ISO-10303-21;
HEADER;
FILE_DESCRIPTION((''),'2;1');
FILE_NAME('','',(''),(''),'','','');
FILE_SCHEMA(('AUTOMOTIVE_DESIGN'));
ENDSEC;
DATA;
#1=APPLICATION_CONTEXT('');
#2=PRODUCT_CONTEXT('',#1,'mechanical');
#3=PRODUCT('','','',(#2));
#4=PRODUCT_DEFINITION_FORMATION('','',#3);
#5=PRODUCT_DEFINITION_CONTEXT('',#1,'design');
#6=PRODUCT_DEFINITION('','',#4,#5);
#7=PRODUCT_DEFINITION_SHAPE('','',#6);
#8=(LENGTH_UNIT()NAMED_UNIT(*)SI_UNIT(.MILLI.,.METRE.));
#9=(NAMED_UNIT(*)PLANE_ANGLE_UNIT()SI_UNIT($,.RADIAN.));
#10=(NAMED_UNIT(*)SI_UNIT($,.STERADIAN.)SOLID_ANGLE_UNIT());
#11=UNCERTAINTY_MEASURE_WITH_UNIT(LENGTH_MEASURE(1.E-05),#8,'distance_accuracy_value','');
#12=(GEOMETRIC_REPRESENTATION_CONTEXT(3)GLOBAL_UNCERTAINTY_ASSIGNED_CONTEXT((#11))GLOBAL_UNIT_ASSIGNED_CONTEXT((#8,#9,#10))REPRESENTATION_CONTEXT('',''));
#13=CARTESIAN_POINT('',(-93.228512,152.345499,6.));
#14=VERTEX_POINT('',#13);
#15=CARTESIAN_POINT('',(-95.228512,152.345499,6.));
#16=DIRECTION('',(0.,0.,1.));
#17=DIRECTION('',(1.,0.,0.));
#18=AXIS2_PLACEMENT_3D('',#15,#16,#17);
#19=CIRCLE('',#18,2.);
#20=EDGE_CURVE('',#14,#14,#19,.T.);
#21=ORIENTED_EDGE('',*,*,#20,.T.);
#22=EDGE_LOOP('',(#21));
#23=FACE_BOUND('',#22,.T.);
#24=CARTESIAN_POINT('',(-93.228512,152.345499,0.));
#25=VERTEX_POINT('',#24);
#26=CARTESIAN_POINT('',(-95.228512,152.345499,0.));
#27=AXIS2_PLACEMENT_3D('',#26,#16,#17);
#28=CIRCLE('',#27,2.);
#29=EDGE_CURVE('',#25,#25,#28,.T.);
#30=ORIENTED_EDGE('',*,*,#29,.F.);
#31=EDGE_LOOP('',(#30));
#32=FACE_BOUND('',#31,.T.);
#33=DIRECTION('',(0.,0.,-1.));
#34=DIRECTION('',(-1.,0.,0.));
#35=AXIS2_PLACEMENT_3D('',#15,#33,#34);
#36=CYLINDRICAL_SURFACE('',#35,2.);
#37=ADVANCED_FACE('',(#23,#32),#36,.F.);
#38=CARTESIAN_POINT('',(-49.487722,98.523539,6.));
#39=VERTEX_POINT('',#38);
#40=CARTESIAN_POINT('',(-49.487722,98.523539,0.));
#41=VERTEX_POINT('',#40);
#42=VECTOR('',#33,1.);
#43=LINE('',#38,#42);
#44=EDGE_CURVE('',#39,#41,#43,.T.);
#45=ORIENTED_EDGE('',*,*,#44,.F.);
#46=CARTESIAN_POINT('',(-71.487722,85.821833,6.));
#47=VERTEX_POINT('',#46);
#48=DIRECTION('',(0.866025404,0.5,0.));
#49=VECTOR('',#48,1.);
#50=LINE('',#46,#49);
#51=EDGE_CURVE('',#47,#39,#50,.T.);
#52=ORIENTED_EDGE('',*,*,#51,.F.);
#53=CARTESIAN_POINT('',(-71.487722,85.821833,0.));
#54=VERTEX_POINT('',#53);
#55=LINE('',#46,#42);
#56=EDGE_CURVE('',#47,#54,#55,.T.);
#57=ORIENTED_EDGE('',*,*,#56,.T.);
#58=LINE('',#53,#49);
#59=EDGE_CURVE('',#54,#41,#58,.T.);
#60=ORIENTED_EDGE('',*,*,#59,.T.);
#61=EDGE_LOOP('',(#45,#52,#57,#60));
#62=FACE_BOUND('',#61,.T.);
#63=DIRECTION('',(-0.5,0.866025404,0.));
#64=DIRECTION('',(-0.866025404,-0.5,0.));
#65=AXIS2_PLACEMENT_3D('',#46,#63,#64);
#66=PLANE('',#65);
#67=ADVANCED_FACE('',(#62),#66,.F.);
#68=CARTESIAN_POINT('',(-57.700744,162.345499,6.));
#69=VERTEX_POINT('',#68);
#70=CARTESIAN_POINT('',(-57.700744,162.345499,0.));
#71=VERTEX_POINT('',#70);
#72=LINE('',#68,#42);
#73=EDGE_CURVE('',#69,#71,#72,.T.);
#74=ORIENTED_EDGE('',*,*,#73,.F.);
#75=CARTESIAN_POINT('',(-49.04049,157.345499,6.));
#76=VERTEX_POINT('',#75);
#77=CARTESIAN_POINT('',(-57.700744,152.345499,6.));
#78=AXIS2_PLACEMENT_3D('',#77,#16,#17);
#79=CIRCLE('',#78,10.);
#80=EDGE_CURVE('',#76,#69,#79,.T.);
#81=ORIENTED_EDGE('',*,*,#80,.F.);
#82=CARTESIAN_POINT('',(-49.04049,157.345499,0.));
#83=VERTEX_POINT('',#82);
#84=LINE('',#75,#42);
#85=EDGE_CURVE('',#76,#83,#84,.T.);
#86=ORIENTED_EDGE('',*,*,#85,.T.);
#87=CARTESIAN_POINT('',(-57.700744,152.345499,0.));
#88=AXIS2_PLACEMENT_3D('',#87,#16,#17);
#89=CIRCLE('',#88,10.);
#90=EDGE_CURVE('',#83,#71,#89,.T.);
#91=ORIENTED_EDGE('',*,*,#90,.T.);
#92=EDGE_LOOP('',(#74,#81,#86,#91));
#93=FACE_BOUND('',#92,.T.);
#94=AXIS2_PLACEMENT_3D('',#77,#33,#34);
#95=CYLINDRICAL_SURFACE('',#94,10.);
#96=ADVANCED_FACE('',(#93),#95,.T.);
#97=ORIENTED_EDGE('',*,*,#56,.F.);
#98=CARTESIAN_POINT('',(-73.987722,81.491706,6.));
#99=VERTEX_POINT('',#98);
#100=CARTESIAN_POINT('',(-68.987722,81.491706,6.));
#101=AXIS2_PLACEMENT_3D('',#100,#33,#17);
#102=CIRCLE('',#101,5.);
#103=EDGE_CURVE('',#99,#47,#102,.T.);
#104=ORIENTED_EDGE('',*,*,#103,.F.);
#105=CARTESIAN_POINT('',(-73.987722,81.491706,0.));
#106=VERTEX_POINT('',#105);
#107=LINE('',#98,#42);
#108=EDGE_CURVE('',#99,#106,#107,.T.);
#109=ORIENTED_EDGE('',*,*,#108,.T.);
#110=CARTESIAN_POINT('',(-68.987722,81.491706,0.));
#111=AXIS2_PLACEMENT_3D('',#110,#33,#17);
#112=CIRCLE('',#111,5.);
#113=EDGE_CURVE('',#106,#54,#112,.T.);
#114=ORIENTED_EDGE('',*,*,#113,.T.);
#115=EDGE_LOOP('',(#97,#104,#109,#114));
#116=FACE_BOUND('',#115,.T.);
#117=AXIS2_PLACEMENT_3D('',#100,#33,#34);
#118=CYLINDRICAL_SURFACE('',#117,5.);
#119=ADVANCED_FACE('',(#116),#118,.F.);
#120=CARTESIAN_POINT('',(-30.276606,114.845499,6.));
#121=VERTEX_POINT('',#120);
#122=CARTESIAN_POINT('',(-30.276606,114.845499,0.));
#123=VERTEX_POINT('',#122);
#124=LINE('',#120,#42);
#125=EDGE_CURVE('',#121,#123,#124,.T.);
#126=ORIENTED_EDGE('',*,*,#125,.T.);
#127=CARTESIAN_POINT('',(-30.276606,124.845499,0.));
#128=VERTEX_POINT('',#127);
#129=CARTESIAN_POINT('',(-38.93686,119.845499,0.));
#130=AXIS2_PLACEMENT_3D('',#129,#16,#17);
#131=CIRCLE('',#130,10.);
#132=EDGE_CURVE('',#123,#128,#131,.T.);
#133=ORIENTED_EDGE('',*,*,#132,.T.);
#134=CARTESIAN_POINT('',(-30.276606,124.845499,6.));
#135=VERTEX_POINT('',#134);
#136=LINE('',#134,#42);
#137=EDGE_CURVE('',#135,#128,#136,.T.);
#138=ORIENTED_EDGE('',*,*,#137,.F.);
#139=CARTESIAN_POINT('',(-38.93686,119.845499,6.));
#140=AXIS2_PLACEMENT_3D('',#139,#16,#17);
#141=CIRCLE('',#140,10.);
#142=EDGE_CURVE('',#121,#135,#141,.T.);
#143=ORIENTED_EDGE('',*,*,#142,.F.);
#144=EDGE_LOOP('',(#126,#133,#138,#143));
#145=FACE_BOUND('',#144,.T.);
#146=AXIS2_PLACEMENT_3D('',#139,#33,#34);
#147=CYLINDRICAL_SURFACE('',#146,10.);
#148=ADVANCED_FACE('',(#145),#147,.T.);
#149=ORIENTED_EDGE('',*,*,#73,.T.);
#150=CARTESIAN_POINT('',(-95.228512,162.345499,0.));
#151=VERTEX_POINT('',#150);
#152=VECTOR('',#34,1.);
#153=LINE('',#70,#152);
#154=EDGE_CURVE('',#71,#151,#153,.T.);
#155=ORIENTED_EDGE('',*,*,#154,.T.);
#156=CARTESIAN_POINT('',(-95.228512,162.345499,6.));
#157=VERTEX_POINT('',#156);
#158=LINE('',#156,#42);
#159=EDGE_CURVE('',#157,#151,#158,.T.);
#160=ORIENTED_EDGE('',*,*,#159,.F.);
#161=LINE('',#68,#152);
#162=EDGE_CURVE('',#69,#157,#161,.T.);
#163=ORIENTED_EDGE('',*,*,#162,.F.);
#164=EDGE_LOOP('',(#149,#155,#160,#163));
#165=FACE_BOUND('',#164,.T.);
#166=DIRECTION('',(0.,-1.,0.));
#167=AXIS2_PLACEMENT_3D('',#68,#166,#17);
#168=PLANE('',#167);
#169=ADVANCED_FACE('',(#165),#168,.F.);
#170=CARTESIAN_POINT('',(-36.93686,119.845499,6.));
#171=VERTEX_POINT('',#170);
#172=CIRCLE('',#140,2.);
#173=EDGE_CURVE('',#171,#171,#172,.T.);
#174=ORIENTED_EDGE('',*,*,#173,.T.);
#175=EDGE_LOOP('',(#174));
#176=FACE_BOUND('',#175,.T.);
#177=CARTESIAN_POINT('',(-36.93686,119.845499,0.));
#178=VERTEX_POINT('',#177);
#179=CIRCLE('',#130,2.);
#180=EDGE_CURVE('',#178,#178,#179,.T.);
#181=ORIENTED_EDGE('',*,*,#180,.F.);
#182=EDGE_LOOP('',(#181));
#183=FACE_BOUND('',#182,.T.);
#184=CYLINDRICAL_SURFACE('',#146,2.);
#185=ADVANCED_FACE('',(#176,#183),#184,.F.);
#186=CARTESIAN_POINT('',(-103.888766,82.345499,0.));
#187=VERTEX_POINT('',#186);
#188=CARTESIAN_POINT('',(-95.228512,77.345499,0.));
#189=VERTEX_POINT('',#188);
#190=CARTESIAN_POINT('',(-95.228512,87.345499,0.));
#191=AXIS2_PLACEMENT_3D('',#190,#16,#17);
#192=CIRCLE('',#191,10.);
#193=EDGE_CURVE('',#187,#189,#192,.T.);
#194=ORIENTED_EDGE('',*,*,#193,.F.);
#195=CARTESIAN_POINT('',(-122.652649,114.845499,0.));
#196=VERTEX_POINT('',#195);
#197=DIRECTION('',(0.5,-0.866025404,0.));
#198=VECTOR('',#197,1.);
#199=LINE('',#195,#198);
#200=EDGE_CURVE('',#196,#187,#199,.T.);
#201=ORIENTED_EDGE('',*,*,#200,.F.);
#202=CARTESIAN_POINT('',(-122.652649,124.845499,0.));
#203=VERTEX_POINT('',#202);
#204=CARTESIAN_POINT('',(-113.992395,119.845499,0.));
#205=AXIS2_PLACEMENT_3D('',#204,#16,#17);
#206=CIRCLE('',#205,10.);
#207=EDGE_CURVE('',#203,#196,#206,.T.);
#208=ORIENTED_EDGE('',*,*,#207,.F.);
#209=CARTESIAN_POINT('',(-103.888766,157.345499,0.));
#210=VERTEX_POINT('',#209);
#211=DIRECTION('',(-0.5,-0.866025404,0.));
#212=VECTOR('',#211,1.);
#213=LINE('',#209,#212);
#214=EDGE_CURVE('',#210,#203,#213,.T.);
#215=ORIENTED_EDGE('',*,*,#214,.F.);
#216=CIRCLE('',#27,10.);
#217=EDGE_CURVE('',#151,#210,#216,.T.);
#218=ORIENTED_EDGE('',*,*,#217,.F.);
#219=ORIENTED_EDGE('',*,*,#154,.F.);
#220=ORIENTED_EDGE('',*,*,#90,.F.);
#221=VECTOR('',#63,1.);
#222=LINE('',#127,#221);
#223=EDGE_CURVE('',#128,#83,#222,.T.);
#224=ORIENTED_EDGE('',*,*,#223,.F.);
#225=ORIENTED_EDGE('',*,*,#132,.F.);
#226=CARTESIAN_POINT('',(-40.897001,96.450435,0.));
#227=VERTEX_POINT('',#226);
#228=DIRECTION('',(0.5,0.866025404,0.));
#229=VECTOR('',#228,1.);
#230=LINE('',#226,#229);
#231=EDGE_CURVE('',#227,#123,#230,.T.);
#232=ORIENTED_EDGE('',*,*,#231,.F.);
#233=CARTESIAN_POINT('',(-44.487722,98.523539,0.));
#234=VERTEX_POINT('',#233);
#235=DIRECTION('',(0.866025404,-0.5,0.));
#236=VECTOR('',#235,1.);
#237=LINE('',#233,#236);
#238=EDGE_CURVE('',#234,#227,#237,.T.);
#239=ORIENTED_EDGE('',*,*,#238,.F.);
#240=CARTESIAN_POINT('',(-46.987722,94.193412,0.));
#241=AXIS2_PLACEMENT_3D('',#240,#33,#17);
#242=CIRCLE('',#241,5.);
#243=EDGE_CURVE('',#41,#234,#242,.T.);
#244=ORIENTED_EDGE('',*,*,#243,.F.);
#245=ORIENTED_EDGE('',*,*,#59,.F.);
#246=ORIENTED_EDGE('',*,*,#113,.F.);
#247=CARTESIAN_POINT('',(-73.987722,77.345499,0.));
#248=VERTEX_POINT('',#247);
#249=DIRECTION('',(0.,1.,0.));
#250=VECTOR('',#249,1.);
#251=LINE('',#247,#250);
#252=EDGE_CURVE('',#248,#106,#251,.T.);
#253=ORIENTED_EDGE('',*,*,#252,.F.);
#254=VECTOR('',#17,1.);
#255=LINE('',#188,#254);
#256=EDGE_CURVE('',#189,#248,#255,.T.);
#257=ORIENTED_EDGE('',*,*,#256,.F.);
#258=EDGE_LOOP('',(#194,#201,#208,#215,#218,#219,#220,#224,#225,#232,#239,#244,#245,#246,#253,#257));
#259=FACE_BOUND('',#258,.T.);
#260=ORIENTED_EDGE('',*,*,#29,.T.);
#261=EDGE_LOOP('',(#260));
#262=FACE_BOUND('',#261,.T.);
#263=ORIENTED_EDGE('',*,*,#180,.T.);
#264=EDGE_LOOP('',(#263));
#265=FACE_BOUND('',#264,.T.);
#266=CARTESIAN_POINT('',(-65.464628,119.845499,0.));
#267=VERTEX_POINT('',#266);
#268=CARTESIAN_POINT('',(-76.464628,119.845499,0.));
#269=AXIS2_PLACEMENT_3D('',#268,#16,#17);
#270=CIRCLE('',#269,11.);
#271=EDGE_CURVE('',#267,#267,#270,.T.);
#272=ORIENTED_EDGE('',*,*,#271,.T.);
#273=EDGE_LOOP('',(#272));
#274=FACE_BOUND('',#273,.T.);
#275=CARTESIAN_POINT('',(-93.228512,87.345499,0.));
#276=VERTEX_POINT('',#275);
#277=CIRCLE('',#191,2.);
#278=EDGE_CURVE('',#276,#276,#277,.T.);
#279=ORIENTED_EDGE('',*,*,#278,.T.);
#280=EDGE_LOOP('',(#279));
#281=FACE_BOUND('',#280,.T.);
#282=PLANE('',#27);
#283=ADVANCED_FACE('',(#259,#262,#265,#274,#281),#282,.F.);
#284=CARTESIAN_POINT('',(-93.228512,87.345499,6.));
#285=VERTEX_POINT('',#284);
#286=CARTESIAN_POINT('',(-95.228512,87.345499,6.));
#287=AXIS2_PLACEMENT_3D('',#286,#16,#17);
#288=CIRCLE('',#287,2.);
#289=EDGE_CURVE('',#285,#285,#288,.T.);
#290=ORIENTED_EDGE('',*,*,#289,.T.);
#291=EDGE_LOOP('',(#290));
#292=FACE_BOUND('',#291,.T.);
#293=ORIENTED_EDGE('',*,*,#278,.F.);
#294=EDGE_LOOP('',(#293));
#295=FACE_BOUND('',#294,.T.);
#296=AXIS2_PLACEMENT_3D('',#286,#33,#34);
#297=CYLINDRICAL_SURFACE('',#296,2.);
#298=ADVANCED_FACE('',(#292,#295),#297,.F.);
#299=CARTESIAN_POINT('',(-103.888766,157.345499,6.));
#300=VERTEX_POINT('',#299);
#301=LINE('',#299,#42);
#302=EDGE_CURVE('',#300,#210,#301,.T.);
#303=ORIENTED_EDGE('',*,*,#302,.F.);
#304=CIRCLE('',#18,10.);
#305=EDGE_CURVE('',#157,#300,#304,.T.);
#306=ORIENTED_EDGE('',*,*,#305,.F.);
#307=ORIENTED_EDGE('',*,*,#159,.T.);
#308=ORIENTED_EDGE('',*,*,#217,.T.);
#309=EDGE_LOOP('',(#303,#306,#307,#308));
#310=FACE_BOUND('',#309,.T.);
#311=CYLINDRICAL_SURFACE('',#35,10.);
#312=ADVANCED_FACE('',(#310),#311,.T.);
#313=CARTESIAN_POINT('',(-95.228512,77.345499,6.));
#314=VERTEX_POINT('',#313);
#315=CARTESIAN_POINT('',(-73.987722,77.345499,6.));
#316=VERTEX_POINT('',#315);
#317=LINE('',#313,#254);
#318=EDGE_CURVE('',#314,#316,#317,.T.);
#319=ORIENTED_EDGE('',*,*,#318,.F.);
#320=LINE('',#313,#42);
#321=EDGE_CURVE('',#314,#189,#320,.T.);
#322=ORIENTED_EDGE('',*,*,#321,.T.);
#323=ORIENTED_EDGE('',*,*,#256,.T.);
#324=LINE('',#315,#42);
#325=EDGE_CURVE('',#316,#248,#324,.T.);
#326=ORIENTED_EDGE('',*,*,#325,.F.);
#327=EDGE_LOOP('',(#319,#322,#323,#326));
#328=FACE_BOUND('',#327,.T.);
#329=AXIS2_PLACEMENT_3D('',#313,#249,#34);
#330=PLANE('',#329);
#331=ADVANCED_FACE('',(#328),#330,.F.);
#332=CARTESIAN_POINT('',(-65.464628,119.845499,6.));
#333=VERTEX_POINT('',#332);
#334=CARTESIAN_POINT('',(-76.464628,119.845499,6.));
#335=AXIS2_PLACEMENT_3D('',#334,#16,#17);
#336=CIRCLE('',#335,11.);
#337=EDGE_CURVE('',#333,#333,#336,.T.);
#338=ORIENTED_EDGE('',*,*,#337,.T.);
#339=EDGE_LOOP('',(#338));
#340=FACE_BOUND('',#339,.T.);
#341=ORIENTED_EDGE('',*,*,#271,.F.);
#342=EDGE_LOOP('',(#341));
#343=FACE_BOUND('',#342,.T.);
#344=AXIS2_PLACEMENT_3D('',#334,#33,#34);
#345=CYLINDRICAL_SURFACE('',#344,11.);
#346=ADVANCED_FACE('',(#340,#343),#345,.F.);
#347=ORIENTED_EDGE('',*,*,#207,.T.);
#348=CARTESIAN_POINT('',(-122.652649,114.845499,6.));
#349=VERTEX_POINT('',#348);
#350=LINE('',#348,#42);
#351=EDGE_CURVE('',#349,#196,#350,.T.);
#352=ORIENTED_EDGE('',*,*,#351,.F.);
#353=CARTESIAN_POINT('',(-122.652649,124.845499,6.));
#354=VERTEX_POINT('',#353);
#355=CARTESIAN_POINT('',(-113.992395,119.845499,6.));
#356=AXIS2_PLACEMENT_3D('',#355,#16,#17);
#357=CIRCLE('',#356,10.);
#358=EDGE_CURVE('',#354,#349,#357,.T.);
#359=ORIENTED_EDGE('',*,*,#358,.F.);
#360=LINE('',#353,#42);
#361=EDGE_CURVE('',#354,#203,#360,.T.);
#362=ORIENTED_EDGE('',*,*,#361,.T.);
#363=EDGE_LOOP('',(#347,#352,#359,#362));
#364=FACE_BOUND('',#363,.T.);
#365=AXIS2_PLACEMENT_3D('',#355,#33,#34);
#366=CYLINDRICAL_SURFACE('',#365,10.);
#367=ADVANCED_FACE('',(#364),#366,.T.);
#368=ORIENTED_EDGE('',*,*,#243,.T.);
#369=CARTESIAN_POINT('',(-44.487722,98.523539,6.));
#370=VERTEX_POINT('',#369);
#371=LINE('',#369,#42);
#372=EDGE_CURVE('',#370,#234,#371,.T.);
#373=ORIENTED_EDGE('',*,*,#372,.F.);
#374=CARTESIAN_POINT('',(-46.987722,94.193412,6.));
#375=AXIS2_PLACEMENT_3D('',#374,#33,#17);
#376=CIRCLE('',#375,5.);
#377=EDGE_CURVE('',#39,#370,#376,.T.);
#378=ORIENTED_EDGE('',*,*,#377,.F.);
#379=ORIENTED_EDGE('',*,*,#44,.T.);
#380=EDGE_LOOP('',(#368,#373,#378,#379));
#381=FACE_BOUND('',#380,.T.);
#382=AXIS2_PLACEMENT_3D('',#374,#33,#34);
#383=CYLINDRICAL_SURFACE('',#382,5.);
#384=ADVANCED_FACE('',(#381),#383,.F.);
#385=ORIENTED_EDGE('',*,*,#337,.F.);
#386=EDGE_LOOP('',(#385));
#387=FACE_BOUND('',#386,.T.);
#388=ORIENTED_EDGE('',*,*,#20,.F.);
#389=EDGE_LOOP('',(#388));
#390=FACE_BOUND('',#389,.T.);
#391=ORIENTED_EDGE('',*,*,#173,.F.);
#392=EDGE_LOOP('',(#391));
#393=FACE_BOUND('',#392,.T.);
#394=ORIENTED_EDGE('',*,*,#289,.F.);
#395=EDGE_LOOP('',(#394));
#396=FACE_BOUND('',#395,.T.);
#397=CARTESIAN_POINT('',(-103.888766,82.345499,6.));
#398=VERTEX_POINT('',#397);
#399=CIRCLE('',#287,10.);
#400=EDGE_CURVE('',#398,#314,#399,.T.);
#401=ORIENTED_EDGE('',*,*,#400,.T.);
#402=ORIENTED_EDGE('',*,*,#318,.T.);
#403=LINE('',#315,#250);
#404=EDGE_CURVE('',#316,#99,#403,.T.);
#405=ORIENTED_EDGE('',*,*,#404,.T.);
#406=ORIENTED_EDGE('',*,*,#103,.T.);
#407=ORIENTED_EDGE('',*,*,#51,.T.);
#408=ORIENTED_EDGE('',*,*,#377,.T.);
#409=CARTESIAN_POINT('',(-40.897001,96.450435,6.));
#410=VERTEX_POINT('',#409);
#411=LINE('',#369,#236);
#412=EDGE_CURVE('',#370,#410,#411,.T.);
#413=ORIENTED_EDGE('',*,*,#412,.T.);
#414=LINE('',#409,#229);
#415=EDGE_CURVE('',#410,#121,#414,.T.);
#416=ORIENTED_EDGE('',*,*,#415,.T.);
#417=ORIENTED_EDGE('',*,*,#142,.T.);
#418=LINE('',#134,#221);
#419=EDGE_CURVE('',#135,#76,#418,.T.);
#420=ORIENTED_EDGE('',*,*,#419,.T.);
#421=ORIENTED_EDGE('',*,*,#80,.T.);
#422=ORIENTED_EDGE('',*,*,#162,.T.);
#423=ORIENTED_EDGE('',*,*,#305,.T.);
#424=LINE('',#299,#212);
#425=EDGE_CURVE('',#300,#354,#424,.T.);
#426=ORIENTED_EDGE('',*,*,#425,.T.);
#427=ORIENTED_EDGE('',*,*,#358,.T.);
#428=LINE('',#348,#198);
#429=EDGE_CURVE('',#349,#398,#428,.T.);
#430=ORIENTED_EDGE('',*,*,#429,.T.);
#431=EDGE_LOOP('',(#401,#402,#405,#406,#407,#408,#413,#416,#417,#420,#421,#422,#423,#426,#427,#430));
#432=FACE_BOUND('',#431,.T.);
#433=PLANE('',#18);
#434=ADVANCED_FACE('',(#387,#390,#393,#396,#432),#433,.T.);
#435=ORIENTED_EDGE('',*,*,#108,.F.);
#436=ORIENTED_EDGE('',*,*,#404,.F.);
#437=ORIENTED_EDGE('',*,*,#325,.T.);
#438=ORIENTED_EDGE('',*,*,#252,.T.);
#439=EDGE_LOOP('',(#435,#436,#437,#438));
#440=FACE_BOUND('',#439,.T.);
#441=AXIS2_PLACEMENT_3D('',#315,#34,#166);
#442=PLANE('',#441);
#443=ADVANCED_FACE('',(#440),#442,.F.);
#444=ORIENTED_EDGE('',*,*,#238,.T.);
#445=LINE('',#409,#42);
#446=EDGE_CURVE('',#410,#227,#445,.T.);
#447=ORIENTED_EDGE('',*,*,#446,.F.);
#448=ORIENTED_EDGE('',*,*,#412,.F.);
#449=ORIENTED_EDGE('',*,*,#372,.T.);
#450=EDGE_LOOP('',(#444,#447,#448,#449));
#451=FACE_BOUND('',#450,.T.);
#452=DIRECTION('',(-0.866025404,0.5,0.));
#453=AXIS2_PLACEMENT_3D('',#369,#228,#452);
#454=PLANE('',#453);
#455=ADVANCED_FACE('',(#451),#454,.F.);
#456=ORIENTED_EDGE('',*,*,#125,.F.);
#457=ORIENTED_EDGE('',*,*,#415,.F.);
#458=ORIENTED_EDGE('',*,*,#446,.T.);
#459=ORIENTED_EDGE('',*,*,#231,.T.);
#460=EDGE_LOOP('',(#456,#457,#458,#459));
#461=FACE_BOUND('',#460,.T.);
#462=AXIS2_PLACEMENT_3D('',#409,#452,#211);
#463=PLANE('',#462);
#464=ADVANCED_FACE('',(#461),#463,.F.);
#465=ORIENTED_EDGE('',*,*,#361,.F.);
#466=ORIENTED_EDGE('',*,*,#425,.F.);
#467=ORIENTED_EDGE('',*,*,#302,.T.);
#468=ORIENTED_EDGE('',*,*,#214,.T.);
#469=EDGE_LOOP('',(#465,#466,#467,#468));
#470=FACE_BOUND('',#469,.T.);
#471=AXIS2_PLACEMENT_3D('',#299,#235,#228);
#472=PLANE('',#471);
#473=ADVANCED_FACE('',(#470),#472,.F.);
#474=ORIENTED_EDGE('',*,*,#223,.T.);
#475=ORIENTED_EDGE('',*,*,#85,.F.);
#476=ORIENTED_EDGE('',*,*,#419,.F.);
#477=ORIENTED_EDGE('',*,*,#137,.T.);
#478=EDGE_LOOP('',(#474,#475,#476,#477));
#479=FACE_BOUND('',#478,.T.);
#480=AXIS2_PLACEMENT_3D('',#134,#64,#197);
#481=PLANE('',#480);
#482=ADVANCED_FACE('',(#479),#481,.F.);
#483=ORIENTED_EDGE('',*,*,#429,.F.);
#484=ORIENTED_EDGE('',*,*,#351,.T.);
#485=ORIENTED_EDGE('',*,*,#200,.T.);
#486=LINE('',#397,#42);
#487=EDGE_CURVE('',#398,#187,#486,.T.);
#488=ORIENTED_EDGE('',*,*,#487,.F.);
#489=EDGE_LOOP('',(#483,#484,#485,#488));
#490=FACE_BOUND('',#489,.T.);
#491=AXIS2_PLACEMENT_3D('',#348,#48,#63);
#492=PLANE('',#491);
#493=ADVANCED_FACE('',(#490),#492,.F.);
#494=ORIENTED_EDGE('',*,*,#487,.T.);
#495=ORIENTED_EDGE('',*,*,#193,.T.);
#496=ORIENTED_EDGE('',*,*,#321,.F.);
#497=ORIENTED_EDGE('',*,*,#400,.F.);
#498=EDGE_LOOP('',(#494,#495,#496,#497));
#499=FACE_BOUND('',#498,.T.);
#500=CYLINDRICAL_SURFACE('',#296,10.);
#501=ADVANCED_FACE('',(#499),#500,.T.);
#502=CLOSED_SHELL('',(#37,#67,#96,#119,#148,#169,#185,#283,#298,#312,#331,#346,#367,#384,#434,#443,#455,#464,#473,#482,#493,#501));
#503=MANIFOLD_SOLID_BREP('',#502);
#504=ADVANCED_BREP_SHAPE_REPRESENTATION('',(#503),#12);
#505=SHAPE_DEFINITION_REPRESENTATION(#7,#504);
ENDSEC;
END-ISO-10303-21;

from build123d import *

# Parameters (mm, degrees)
SKETCH1_R           = 1.999999997
SKETCH1_R_2         = 10.999999998
SKETCH1_R_3         = 1.999999998
BOSS_EXTRUDE1_DEPTH = 6


with BuildPart() as part:
    # Sketch1 → Boss-Extrude1 (new body)
    with BuildSketch(Plane.XY):
        with BuildLine():
            Line((-57.700744027, 162.345498824), (-95.228511524, 162.345498823))
            ThreePointArc((-95.228511524, 162.345498823), (-100.228511524, 161.005752861), (-103.888765562, 157.345498823))
            Line((-103.888765562, 157.345498823), (-122.65264931, 124.845498823))
            ThreePointArc((-122.65264931, 124.845498823), (-123.992395272, 119.845498822), (-122.65264931, 114.845498822))
            Line((-122.65264931, 114.845498822), (-103.88876556, 82.345498823))
            ThreePointArc((-103.88876556, 82.345498823), (-100.228511522, 78.685244785), (-95.228511522, 77.345498823))
            Line((-95.228511522, 77.345498823), (-73.987721784, 77.345498823))
            Line((-73.987721784, 77.345498823), (-73.987721784, 81.491705925))
            ThreePointArc((-73.987721784, 81.491705925), (-73.317848803, 83.991705925), (-71.487721784, 85.821832944))
            Line((-71.487721784, 85.821832944), (-49.487721784, 98.523538865))
            ThreePointArc((-49.487721784, 98.523538865), (-46.987721783, 99.193411846), (-44.487721784, 98.523538865))
            Line((-44.487721784, 98.523538865), (-40.897001108, 96.450435316))
            Line((-40.897001108, 96.450435316), (-30.276606238, 114.845498825))
            ThreePointArc((-30.276606238, 114.845498825), (-28.936860276, 119.845498825), (-30.276606239, 124.845498826))
            Line((-30.276606239, 124.845498826), (-49.040489989, 157.345498825))
            ThreePointArc((-49.040489989, 157.345498825), (-52.700744027, 161.005752862), (-57.700744027, 162.345498824))
        make_face()
        with Locations((-38.936860277, 119.845498824)):
            Circle(SKETCH1_R, mode=Mode.SUBTRACT)
        with Locations((-95.228511522, 87.345498823)):
            Circle(SKETCH1_R, mode=Mode.SUBTRACT)
        with Locations((-76.464627774, 119.845498824)):
            Circle(SKETCH1_R_2, mode=Mode.SUBTRACT)
        with Locations((-95.228511523, 152.345498823)):
            Circle(SKETCH1_R_3, mode=Mode.SUBTRACT)
    extrude(amount=BOSS_EXTRUDE1_DEPTH)


solid = part.part
